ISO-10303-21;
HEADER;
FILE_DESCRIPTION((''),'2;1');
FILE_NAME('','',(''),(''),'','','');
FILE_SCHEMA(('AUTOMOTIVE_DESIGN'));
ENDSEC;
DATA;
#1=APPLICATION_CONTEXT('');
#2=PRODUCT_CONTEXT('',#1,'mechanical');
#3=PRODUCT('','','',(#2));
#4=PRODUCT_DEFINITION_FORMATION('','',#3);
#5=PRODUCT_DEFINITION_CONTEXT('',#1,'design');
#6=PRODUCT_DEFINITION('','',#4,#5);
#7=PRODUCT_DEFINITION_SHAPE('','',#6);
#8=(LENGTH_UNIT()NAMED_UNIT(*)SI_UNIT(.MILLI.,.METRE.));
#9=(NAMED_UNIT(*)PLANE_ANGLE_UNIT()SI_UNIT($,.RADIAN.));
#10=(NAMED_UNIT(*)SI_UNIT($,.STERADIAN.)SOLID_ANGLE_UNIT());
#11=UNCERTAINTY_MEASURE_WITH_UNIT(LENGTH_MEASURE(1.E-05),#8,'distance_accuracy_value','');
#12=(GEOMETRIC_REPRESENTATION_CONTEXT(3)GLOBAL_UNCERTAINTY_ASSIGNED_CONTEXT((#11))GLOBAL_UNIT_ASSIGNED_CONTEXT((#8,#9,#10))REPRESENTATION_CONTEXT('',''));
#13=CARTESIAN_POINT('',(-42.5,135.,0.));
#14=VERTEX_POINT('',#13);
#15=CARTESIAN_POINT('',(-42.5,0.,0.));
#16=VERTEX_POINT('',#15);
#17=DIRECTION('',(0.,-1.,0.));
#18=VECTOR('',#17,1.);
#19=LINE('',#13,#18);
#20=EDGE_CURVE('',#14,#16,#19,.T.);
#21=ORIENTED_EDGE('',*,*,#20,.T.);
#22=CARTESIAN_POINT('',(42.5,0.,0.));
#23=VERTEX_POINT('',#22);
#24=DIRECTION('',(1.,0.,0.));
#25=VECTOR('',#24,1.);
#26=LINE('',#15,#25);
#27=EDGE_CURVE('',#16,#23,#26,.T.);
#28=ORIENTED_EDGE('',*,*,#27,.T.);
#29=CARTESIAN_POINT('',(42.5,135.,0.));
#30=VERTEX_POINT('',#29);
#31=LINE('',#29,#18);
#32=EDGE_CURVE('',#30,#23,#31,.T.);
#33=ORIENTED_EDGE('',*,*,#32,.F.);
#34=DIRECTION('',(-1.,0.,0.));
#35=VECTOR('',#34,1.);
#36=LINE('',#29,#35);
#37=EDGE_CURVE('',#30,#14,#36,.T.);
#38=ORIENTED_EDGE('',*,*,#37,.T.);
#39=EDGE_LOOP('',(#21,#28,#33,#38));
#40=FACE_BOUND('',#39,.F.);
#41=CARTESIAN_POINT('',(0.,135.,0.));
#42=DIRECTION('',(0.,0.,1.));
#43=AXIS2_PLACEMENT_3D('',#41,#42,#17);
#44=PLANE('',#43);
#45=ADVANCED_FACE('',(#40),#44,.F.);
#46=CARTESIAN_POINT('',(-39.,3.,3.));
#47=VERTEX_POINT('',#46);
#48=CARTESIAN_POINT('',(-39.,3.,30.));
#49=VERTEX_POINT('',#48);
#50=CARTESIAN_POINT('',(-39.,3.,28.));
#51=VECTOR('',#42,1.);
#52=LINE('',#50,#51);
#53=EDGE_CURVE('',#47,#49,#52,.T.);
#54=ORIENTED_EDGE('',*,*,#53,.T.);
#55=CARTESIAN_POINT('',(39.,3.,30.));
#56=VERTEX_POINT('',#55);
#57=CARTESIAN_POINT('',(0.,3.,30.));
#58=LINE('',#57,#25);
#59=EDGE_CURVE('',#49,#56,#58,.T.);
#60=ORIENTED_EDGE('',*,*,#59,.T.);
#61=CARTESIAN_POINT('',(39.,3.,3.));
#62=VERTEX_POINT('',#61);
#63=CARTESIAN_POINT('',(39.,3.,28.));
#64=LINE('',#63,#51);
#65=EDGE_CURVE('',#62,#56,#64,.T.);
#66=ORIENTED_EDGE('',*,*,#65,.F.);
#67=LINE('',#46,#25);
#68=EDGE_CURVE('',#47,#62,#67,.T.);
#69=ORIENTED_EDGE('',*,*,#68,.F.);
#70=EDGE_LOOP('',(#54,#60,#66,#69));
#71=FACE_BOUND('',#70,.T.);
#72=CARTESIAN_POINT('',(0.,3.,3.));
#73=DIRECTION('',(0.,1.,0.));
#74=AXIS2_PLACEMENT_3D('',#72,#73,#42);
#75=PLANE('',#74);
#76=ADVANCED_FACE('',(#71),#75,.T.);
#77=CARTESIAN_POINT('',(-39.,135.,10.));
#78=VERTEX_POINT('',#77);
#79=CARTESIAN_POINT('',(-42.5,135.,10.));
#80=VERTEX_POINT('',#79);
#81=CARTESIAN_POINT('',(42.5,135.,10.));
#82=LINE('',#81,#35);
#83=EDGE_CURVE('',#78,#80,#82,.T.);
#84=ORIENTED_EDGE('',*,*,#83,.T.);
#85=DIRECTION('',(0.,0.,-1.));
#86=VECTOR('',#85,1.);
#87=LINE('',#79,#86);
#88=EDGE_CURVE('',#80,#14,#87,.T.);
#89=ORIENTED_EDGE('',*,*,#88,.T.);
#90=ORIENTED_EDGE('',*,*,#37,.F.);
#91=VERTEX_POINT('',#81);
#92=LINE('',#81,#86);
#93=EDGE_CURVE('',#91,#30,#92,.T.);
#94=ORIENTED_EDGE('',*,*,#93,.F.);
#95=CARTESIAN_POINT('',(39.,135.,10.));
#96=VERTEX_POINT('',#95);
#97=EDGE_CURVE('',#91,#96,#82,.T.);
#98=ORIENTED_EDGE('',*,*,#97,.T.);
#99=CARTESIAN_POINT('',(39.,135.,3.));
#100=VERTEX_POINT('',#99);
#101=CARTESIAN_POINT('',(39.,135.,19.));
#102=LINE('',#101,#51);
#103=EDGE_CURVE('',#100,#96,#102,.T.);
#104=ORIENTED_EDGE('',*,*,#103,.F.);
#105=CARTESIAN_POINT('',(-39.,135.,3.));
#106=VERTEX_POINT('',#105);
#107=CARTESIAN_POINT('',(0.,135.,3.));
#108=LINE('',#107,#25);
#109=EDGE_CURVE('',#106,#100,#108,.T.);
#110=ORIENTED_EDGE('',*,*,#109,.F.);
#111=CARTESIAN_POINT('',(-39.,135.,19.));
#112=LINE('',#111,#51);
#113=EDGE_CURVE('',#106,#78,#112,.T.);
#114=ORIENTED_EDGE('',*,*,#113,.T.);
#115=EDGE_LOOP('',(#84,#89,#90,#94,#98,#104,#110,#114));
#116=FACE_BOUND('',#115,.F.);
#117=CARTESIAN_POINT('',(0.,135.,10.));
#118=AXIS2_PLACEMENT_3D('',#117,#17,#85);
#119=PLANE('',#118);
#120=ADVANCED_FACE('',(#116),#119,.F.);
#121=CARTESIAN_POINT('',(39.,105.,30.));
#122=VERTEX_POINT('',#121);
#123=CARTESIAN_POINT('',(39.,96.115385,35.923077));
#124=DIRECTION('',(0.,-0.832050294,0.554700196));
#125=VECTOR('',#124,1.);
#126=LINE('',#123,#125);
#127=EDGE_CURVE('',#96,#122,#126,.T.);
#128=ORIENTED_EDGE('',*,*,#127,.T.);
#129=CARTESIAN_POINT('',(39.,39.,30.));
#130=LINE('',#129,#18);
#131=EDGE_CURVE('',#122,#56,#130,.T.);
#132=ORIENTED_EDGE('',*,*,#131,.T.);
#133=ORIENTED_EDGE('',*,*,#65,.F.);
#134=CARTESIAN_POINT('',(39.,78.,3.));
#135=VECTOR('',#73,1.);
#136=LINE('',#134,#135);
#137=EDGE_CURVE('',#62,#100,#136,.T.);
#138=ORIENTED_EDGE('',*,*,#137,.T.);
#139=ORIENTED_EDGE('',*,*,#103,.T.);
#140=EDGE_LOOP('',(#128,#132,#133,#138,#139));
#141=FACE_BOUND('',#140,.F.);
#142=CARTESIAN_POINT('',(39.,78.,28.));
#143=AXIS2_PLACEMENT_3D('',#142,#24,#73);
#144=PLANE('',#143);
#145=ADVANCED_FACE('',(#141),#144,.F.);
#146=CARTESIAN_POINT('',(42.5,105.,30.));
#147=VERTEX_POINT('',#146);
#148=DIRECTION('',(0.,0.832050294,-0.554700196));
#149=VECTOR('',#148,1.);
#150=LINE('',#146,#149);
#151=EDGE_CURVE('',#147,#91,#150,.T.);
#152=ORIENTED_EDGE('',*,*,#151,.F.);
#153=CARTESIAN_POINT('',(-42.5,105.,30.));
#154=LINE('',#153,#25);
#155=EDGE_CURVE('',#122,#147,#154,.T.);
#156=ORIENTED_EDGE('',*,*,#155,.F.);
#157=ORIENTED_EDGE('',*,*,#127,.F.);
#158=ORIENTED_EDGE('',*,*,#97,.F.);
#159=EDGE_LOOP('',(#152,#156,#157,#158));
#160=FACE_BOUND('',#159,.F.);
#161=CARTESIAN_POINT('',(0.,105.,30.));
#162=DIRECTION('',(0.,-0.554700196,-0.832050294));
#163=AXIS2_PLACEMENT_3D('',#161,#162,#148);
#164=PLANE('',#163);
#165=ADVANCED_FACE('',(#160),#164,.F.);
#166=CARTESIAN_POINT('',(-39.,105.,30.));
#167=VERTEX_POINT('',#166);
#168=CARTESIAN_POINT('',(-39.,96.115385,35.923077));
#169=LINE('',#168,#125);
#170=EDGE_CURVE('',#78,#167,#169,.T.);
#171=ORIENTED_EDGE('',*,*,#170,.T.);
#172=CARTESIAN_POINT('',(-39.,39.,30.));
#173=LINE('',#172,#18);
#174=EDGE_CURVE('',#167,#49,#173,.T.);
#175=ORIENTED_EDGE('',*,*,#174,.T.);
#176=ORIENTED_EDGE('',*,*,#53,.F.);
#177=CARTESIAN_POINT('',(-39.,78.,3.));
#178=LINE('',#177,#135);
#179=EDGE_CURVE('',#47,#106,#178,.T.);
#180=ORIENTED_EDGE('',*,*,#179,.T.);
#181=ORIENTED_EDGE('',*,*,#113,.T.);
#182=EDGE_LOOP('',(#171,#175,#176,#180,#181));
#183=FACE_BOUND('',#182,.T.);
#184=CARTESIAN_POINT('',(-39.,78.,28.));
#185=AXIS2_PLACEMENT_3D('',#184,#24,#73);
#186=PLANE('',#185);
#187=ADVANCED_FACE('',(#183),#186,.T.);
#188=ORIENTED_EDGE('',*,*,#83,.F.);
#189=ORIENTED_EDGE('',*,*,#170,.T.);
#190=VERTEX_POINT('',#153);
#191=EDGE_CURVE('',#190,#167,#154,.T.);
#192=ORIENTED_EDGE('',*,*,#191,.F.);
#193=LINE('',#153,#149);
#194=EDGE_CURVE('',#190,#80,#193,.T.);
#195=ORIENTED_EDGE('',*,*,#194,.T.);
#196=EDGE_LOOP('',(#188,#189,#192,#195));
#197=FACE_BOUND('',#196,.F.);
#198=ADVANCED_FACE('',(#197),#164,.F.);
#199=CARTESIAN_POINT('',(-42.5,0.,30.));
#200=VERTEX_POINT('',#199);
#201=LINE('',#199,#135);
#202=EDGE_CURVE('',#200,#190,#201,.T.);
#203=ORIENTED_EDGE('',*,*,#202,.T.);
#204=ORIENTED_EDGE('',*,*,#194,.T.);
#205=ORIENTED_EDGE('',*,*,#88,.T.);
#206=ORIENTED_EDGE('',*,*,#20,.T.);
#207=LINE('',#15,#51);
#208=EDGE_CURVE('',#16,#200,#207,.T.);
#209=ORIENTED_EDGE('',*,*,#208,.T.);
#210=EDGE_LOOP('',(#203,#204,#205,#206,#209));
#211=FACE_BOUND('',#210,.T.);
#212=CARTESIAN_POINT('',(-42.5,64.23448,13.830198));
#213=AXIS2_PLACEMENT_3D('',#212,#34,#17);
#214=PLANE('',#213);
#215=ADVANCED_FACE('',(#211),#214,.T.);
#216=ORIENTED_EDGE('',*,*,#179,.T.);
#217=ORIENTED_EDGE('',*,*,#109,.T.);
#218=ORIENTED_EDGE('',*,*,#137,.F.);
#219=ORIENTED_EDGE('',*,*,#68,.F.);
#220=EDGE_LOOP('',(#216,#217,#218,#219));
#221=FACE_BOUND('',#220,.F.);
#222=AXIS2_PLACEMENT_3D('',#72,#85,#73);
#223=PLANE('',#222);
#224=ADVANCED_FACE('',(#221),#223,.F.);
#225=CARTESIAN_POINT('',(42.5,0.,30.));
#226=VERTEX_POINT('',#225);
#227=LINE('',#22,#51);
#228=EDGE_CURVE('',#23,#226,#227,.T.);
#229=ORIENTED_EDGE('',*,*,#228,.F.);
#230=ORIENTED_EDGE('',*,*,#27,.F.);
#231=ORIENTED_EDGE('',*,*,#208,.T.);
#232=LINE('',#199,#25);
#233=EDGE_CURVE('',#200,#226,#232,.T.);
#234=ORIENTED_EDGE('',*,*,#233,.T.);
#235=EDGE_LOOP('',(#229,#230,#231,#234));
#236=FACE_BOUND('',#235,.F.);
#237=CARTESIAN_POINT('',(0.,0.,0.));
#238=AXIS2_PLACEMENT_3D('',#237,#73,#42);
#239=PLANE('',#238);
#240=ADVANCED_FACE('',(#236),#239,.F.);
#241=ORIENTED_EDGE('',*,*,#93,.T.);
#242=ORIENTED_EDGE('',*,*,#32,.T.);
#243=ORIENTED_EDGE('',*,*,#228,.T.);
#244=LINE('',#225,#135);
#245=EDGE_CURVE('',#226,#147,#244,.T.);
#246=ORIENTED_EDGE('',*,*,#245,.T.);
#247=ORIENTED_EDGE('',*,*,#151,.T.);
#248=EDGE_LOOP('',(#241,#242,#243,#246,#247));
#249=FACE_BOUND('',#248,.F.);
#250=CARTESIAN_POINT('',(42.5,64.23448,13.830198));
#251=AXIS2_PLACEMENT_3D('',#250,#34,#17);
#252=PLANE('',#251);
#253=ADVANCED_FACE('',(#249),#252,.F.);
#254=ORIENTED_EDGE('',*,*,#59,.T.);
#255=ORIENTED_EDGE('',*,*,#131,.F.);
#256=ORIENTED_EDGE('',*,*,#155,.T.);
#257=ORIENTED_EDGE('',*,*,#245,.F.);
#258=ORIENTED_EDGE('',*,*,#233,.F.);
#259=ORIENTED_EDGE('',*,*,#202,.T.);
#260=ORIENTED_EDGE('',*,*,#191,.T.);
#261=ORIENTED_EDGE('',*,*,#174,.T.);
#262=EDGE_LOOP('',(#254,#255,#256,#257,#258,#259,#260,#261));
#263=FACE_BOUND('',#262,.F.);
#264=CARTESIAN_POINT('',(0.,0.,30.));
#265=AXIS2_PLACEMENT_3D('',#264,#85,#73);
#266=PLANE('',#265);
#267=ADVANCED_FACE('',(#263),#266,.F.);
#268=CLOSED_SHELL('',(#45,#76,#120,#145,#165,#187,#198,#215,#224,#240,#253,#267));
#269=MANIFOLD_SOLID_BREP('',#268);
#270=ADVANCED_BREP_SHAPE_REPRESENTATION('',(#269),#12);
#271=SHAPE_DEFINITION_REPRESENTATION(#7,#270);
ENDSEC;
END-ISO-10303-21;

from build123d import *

# Parameters (mm, degrees)
PAD_DEPTH    = 42.5
SKETCH001_W  = 150
SKETCH001_H  = 50
POCKET_DEPTH = 39


with BuildPart() as part:
    # Sketch → Pad (new body, symmetric)
    with BuildSketch(Plane.YZ):
        Polygon((105, 30), (135, 10), (135, 0), (0, 0), (0, 30), align=None)
    extrude(amount=PAD_DEPTH, both=True)

    # Sketch001 → Pocket (cut, symmetric)
    with BuildSketch(Plane.YZ):
        with Locations((78, 28)):
            Rectangle(SKETCH001_W, SKETCH001_H)
    extrude(amount=POCKET_DEPTH, both=True, mode=Mode.SUBTRACT)


solid = part.part
